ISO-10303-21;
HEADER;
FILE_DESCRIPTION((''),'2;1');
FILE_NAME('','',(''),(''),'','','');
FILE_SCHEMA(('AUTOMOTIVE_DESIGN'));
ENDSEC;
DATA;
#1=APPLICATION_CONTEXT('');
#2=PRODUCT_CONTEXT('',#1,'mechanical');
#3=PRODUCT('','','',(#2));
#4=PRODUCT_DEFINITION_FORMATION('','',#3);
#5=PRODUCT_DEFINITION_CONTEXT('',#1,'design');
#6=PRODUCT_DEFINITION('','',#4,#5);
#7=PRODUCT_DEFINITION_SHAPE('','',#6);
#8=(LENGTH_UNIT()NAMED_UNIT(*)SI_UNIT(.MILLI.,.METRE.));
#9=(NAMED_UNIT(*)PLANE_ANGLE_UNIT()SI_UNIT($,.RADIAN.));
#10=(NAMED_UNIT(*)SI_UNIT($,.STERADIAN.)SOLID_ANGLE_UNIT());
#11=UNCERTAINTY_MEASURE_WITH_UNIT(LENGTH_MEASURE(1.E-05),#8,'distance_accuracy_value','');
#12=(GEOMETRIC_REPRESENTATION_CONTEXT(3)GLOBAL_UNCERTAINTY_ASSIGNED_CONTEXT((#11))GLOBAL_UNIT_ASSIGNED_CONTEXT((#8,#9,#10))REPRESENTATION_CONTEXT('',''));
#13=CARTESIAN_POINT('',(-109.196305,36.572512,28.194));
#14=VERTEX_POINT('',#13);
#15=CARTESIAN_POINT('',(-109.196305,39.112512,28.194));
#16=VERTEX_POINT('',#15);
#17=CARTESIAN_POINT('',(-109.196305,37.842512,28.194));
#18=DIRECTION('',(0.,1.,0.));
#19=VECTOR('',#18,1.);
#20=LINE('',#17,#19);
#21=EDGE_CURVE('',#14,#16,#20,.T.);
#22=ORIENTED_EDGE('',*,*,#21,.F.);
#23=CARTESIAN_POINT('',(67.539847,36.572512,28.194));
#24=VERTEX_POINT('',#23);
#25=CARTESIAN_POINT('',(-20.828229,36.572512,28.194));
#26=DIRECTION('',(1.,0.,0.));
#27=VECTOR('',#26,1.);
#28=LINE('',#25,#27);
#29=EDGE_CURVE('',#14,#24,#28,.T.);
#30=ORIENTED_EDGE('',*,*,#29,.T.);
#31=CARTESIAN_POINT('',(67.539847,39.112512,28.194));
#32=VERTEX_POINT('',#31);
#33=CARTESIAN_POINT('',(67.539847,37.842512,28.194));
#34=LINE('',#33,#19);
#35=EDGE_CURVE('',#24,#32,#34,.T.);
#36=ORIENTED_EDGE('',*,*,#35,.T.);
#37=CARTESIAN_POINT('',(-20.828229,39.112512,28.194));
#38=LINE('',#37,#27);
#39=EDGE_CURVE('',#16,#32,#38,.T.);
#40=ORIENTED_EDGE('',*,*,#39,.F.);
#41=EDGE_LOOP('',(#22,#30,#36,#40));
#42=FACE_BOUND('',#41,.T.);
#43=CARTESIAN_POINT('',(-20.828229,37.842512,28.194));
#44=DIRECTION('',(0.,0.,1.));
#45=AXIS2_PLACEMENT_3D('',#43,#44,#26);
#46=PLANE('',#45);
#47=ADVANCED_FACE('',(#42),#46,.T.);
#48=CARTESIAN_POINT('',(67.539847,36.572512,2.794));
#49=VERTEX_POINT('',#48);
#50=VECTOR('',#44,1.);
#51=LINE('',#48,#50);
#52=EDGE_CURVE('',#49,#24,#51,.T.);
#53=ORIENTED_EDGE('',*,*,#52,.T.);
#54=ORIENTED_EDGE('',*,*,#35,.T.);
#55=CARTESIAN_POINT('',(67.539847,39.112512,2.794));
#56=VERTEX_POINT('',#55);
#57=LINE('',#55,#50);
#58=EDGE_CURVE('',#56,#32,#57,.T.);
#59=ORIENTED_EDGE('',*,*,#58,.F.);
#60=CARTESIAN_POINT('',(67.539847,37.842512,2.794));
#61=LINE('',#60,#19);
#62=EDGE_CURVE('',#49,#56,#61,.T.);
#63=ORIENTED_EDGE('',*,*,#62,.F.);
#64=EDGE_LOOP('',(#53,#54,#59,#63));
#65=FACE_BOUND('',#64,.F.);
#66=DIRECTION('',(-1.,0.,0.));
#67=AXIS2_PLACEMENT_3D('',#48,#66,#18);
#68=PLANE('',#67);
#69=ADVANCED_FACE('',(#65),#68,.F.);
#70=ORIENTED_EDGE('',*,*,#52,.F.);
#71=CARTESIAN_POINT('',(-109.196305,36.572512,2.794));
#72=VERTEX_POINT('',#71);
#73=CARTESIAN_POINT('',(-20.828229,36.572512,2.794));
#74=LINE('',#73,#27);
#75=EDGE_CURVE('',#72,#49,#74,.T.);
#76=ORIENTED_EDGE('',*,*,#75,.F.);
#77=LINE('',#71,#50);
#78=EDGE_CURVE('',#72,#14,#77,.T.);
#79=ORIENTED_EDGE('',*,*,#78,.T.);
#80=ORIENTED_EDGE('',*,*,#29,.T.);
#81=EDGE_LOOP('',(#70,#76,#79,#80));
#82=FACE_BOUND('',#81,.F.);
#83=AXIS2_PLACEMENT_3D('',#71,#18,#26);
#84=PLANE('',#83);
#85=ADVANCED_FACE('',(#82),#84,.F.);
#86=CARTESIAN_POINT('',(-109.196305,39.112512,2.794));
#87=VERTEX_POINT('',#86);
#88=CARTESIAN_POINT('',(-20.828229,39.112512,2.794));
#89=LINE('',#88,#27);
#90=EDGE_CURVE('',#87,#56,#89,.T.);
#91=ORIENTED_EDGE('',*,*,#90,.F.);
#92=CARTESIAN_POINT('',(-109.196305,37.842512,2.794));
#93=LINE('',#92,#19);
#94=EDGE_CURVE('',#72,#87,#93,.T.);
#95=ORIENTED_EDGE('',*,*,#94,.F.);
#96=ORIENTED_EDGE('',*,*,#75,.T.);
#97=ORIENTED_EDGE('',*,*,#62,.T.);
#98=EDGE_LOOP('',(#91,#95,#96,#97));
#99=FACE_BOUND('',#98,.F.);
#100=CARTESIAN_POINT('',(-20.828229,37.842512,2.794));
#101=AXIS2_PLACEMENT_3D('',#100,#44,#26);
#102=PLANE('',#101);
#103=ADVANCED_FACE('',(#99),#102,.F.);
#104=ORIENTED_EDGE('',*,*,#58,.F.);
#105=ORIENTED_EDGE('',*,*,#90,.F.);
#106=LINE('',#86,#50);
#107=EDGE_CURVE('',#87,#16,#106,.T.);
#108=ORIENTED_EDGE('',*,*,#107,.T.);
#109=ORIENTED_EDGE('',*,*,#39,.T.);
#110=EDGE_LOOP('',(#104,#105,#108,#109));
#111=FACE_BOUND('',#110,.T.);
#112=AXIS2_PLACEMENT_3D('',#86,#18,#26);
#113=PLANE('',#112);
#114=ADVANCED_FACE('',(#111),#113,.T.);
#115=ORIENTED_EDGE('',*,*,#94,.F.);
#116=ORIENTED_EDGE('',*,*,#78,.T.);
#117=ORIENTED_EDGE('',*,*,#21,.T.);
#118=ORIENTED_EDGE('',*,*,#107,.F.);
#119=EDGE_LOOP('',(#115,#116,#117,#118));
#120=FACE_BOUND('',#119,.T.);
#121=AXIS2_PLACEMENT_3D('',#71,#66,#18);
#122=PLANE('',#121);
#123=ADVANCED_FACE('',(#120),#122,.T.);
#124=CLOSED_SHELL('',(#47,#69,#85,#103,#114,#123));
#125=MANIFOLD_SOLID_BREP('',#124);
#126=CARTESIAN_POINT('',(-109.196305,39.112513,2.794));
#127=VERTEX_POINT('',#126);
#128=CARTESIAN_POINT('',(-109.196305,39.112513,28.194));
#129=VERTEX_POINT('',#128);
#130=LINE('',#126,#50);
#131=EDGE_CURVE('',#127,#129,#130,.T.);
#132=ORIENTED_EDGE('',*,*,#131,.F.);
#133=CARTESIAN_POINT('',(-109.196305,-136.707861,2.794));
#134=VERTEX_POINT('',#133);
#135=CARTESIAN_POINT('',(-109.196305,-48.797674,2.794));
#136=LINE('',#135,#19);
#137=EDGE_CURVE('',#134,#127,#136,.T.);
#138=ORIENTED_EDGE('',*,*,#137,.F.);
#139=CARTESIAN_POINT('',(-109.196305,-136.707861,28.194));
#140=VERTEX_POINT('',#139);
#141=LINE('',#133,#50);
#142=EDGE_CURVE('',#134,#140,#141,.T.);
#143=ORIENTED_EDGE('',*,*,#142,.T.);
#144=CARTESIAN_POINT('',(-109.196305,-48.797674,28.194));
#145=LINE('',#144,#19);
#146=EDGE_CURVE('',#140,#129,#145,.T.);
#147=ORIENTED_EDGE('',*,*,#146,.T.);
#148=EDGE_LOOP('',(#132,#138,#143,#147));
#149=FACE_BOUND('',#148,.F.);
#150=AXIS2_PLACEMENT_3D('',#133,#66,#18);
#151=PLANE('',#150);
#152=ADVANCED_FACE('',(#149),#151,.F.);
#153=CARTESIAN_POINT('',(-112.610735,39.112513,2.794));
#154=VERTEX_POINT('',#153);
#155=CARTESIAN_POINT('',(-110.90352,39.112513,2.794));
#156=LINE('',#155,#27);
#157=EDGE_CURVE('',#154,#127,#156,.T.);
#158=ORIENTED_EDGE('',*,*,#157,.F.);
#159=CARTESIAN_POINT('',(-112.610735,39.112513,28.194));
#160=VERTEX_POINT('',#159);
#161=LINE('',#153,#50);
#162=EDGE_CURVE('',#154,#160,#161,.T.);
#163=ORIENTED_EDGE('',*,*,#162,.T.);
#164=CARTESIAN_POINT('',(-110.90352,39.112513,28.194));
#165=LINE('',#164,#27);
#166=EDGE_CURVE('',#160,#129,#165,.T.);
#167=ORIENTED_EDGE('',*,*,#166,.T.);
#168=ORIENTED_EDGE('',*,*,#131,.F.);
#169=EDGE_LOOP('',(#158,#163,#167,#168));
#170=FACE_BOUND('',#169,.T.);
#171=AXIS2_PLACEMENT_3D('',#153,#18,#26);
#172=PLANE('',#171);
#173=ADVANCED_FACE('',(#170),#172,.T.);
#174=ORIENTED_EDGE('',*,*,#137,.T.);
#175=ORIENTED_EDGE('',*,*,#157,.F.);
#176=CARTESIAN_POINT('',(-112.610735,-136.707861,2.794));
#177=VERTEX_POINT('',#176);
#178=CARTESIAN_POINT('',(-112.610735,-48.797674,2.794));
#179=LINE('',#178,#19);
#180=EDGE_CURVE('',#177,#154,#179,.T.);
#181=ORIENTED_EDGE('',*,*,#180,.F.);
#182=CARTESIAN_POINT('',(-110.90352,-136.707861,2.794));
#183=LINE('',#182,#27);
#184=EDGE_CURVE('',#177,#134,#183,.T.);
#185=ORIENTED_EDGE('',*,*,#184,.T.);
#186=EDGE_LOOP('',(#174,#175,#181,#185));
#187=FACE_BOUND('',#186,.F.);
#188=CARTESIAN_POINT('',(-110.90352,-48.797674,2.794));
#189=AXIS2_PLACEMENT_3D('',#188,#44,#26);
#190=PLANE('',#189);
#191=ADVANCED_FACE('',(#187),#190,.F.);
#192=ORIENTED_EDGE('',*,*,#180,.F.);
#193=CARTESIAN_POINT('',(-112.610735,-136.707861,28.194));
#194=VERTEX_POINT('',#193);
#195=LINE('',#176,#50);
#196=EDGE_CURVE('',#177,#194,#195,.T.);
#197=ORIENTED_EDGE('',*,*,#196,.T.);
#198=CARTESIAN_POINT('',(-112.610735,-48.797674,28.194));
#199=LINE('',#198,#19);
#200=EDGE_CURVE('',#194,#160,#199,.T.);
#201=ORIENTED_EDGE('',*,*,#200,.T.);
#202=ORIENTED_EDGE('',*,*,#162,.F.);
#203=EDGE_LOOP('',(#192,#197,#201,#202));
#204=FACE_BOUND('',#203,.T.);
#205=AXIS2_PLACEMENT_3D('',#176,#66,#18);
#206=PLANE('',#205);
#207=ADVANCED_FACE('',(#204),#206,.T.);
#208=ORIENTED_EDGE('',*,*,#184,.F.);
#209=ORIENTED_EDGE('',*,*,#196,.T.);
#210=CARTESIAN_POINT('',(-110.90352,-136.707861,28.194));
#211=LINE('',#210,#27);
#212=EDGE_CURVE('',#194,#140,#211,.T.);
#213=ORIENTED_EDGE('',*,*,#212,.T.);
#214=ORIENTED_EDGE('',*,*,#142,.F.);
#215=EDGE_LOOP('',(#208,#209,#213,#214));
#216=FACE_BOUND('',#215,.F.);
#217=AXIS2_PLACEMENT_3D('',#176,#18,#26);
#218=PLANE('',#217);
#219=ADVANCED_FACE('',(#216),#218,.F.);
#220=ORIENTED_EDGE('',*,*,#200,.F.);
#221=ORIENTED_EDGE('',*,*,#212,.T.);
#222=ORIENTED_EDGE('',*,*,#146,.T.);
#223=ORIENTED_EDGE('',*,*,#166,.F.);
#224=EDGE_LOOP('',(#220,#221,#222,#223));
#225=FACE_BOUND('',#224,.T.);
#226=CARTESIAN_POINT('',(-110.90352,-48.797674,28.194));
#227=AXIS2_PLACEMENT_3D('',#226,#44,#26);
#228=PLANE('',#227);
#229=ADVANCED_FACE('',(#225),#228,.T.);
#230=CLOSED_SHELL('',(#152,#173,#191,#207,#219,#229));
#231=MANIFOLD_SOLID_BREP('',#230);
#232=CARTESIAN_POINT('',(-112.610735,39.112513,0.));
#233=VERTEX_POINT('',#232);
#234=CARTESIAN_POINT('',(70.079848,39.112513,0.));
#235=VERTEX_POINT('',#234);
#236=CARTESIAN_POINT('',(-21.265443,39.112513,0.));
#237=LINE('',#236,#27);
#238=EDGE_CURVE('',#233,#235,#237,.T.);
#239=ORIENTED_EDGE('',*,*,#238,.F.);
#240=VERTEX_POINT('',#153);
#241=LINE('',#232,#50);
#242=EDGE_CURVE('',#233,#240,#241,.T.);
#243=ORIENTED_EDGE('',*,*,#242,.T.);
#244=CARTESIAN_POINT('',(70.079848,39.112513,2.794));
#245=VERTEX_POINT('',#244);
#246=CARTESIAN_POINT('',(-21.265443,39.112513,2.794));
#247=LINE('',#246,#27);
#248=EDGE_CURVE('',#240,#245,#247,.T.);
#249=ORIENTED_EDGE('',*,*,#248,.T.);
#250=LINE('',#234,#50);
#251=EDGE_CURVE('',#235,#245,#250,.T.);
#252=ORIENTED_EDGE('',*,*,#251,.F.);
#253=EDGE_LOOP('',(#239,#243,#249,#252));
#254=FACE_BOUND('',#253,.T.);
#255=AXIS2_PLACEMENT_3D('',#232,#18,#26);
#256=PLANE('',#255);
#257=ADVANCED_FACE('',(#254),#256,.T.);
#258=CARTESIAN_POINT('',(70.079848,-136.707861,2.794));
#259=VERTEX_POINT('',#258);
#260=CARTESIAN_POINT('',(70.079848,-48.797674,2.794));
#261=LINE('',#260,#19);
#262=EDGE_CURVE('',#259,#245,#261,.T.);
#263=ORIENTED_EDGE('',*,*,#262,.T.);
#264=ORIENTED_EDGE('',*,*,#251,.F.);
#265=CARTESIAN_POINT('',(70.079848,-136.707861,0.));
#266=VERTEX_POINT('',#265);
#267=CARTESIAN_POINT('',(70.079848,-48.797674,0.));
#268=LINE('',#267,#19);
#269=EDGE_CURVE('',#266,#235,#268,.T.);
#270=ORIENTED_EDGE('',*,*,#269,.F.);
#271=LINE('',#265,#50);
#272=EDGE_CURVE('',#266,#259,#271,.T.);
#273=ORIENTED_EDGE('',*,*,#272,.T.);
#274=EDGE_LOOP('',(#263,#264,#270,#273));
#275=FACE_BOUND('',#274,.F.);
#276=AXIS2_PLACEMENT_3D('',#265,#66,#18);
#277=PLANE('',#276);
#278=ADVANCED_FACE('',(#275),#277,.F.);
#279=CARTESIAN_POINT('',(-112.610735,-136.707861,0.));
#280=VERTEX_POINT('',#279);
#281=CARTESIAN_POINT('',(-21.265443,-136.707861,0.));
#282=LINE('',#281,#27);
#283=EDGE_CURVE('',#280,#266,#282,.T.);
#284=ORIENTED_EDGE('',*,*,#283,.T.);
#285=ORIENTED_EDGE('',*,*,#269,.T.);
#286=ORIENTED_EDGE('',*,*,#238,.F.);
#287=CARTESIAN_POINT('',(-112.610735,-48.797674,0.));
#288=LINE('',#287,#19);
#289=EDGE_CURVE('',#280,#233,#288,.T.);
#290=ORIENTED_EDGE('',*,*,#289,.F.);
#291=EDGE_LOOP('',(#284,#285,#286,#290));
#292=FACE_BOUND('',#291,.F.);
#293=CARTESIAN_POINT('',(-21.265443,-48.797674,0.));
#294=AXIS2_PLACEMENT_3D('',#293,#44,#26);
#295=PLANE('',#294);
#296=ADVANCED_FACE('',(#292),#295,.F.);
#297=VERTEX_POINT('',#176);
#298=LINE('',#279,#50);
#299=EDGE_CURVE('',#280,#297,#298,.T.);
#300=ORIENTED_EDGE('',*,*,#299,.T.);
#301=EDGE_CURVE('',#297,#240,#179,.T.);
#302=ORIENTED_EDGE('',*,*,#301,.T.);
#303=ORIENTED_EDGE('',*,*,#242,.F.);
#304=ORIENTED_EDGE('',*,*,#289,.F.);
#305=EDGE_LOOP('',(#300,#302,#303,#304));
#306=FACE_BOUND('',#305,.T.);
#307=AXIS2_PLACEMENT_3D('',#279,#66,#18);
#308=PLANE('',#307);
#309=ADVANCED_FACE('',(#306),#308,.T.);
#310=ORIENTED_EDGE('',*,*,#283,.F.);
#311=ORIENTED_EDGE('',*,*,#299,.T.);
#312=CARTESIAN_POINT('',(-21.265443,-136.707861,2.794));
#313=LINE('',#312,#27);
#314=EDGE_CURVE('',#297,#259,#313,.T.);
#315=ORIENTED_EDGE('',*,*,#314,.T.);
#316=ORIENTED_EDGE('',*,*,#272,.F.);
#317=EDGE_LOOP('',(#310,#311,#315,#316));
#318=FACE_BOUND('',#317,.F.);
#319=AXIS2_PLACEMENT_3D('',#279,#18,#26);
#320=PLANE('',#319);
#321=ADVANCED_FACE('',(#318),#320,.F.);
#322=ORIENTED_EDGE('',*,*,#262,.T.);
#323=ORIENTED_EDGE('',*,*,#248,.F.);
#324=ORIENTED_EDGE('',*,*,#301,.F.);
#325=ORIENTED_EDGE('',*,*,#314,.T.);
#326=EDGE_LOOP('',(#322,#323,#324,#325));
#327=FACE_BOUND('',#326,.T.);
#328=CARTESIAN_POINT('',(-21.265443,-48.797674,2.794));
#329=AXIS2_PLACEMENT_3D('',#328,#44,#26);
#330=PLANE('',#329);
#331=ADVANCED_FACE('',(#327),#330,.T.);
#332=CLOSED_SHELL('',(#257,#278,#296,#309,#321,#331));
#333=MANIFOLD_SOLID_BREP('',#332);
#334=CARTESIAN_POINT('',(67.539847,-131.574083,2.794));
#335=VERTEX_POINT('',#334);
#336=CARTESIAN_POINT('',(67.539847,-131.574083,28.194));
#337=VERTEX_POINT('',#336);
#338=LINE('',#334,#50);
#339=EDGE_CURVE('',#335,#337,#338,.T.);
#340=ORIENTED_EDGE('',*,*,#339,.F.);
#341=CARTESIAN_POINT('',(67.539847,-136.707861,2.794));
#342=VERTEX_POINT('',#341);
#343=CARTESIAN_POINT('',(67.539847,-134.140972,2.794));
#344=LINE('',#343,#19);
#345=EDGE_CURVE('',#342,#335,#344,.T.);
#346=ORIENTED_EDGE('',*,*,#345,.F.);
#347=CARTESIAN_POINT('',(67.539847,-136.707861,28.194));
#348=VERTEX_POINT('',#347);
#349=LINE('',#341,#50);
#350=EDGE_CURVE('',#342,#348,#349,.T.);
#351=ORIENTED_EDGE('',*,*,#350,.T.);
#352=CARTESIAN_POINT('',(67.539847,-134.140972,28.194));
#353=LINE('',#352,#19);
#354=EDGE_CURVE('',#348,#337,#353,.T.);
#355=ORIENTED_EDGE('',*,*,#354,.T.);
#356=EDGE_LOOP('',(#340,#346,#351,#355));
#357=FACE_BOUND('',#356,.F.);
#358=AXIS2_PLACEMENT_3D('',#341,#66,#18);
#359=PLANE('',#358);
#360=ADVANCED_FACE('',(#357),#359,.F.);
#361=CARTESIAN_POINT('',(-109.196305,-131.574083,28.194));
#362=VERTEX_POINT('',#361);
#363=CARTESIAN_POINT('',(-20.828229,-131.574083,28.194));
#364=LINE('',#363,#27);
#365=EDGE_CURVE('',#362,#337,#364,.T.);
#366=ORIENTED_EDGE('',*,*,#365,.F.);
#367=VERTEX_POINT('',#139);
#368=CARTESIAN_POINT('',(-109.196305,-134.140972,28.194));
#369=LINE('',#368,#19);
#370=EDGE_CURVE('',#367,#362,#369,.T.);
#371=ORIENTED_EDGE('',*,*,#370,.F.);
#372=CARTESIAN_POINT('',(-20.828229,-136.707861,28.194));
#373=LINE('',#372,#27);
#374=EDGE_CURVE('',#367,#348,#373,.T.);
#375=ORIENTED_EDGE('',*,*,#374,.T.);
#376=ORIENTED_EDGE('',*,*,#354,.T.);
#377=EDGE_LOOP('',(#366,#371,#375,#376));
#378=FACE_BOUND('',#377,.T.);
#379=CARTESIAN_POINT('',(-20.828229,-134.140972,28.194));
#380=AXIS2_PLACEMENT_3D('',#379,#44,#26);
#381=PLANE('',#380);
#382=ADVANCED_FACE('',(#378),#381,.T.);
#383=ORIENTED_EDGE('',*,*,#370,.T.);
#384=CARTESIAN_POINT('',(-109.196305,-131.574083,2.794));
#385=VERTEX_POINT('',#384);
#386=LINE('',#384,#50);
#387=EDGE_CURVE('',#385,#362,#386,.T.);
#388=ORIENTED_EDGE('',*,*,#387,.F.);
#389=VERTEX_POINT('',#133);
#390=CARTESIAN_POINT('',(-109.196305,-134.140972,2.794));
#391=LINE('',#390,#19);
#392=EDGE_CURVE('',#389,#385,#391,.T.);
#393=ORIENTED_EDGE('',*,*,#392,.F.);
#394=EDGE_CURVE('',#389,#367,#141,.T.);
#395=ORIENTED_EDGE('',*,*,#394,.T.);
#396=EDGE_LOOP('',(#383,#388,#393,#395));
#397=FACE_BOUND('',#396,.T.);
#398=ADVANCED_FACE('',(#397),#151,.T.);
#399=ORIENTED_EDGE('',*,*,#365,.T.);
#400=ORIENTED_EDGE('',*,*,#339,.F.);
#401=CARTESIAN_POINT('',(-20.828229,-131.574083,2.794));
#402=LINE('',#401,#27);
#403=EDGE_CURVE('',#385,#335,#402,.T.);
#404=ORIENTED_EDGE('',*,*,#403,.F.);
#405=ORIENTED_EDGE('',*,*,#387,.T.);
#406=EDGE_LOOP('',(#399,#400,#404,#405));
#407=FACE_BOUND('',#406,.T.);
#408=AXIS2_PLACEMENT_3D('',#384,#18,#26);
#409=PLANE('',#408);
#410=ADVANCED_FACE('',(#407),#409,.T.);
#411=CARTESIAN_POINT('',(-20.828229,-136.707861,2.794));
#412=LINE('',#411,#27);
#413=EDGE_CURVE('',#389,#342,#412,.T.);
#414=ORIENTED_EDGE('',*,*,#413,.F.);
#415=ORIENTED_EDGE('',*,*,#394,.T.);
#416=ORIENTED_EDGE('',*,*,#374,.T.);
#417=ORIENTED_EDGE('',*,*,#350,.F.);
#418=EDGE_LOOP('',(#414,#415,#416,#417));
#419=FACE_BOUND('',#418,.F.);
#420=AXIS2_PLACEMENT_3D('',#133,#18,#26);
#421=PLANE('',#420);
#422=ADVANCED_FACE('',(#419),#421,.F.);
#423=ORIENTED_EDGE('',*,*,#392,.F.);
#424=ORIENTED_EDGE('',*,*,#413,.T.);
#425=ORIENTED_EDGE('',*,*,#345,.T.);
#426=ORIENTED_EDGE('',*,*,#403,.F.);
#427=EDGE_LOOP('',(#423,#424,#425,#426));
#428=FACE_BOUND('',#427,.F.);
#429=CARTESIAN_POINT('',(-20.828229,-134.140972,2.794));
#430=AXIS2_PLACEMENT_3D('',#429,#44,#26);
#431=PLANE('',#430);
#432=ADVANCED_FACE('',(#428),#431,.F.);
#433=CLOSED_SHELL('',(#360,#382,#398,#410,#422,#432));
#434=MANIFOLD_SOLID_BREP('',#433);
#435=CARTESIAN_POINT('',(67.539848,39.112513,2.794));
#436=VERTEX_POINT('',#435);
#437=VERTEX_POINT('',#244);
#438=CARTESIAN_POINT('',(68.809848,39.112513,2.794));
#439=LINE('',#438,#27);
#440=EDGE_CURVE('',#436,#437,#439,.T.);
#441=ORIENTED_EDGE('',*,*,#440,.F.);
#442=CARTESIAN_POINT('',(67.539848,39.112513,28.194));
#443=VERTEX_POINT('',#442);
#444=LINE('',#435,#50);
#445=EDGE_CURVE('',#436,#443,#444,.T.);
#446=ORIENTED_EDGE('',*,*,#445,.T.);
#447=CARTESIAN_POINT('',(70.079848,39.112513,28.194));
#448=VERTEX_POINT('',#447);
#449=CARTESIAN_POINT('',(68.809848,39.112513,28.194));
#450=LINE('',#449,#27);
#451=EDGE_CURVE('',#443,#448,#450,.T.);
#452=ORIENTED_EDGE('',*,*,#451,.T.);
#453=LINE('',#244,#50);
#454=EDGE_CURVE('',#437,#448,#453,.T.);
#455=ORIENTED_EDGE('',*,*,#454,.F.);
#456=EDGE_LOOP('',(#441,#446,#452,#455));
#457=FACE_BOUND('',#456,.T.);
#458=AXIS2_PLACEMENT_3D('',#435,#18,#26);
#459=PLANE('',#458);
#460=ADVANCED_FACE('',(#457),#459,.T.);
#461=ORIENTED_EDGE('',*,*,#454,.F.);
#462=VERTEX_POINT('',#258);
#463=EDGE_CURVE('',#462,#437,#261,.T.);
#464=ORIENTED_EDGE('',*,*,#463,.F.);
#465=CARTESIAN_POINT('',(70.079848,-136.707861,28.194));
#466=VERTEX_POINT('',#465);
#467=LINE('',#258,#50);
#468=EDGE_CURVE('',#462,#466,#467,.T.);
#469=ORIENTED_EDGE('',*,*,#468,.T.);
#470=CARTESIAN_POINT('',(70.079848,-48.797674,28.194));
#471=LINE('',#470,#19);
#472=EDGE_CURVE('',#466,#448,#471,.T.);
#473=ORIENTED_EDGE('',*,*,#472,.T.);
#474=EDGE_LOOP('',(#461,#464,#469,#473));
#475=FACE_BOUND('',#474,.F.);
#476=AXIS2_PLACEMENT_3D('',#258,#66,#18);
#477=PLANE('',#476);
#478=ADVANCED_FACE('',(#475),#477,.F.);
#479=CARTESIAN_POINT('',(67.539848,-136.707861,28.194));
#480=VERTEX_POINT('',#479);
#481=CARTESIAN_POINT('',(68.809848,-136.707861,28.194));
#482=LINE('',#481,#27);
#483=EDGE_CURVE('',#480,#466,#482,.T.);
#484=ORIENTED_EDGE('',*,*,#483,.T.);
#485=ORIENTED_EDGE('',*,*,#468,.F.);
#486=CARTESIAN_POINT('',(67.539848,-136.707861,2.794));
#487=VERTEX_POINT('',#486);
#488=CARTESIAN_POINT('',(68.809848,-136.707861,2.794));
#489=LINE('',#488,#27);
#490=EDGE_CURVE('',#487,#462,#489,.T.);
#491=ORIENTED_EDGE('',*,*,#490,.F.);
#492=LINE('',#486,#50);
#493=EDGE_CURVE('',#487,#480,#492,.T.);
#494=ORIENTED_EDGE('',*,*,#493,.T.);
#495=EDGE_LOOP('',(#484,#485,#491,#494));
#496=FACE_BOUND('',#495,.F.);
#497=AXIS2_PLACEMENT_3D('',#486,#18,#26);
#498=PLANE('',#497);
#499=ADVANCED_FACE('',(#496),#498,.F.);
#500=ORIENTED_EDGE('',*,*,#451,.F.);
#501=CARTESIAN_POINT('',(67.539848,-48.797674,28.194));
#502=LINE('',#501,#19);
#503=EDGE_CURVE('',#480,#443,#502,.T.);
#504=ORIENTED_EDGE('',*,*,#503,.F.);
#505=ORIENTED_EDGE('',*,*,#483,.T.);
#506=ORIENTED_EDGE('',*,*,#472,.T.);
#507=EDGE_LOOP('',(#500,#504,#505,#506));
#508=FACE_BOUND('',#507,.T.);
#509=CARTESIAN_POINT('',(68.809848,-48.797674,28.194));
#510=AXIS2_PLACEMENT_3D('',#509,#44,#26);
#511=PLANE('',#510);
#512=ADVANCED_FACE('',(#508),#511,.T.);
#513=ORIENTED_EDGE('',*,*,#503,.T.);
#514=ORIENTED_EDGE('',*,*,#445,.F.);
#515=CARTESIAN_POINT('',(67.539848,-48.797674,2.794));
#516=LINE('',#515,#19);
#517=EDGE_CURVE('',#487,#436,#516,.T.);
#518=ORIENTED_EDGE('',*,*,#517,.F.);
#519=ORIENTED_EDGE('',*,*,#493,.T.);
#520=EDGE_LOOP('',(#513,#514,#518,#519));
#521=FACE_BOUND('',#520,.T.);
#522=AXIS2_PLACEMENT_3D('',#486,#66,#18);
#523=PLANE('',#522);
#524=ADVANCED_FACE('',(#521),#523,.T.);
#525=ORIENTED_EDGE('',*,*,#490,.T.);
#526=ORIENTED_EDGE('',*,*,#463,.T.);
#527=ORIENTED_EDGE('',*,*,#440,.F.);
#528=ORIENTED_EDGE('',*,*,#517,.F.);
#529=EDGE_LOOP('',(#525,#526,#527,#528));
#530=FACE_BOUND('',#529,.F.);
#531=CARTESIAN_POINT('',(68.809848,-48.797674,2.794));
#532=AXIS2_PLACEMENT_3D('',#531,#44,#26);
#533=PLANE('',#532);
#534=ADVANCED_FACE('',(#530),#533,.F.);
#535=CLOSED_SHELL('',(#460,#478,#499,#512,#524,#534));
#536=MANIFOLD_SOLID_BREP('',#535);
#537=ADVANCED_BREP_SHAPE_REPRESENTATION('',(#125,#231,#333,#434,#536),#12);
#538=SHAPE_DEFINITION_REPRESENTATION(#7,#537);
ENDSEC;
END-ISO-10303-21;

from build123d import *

# Parameters (mm, degrees)
F0_W      = 182.690583
F0_H      = 175.820373
F1_DEPTH  = 2.794
F2_W      = 2.54
F2_H      = 175.820373
F3_DEPTH  = 25.4
F4_W      = 3.41443
F4_H      = 175.820373
F5_DEPTH  = 25.4
F7_W      = 176.736153
F7_H      = 5.133778
F8_DEPTH  = 25.4
F9_W      = 176.736153
F9_H      = 2.54
F10_DEPTH = 25.4


with BuildPart() as f1:
    # F0 (on Top) → F1 (new body)
    with BuildSketch(Plane.XY):
        with Locations((-21.265443, -48.797674)):
            Rectangle(F0_W, F0_H)
    extrude(amount=F1_DEPTH)


with BuildPart() as f3:
    # F2 (on face) → F3 (new body)
    with BuildSketch(Plane.XY.offset(2.794)):
        with Locations((68.809848, -48.797674)):
            Rectangle(F2_W, F2_H)
    extrude(amount=F3_DEPTH)


with BuildPart() as f5:
    # F4 (on face) → F5 (new body)
    with BuildSketch(Plane.XY.offset(2.794)):
        with Locations((-110.90352, -48.797674)):
            Rectangle(F4_W, F4_H)
    extrude(amount=F5_DEPTH)


with BuildPart() as f8:
    # F7 (on face) → F8 (new body)
    with BuildSketch(Plane.XY.offset(2.794)):
        with Locations((-20.828229, -134.140972)):
            Rectangle(F7_W, F7_H)
    extrude(amount=F8_DEPTH)


with BuildPart() as f10:
    # F9 (on face) → F10 (new body)
    with BuildSketch(Plane.XY.offset(2.794)):
        with Locations((-20.828229, 37.842512)):
            Rectangle(F9_W, F9_H)
    extrude(amount=F10_DEPTH)


solid = Compound([f1.part, f3.part, f5.part, f8.part, f10.part])
